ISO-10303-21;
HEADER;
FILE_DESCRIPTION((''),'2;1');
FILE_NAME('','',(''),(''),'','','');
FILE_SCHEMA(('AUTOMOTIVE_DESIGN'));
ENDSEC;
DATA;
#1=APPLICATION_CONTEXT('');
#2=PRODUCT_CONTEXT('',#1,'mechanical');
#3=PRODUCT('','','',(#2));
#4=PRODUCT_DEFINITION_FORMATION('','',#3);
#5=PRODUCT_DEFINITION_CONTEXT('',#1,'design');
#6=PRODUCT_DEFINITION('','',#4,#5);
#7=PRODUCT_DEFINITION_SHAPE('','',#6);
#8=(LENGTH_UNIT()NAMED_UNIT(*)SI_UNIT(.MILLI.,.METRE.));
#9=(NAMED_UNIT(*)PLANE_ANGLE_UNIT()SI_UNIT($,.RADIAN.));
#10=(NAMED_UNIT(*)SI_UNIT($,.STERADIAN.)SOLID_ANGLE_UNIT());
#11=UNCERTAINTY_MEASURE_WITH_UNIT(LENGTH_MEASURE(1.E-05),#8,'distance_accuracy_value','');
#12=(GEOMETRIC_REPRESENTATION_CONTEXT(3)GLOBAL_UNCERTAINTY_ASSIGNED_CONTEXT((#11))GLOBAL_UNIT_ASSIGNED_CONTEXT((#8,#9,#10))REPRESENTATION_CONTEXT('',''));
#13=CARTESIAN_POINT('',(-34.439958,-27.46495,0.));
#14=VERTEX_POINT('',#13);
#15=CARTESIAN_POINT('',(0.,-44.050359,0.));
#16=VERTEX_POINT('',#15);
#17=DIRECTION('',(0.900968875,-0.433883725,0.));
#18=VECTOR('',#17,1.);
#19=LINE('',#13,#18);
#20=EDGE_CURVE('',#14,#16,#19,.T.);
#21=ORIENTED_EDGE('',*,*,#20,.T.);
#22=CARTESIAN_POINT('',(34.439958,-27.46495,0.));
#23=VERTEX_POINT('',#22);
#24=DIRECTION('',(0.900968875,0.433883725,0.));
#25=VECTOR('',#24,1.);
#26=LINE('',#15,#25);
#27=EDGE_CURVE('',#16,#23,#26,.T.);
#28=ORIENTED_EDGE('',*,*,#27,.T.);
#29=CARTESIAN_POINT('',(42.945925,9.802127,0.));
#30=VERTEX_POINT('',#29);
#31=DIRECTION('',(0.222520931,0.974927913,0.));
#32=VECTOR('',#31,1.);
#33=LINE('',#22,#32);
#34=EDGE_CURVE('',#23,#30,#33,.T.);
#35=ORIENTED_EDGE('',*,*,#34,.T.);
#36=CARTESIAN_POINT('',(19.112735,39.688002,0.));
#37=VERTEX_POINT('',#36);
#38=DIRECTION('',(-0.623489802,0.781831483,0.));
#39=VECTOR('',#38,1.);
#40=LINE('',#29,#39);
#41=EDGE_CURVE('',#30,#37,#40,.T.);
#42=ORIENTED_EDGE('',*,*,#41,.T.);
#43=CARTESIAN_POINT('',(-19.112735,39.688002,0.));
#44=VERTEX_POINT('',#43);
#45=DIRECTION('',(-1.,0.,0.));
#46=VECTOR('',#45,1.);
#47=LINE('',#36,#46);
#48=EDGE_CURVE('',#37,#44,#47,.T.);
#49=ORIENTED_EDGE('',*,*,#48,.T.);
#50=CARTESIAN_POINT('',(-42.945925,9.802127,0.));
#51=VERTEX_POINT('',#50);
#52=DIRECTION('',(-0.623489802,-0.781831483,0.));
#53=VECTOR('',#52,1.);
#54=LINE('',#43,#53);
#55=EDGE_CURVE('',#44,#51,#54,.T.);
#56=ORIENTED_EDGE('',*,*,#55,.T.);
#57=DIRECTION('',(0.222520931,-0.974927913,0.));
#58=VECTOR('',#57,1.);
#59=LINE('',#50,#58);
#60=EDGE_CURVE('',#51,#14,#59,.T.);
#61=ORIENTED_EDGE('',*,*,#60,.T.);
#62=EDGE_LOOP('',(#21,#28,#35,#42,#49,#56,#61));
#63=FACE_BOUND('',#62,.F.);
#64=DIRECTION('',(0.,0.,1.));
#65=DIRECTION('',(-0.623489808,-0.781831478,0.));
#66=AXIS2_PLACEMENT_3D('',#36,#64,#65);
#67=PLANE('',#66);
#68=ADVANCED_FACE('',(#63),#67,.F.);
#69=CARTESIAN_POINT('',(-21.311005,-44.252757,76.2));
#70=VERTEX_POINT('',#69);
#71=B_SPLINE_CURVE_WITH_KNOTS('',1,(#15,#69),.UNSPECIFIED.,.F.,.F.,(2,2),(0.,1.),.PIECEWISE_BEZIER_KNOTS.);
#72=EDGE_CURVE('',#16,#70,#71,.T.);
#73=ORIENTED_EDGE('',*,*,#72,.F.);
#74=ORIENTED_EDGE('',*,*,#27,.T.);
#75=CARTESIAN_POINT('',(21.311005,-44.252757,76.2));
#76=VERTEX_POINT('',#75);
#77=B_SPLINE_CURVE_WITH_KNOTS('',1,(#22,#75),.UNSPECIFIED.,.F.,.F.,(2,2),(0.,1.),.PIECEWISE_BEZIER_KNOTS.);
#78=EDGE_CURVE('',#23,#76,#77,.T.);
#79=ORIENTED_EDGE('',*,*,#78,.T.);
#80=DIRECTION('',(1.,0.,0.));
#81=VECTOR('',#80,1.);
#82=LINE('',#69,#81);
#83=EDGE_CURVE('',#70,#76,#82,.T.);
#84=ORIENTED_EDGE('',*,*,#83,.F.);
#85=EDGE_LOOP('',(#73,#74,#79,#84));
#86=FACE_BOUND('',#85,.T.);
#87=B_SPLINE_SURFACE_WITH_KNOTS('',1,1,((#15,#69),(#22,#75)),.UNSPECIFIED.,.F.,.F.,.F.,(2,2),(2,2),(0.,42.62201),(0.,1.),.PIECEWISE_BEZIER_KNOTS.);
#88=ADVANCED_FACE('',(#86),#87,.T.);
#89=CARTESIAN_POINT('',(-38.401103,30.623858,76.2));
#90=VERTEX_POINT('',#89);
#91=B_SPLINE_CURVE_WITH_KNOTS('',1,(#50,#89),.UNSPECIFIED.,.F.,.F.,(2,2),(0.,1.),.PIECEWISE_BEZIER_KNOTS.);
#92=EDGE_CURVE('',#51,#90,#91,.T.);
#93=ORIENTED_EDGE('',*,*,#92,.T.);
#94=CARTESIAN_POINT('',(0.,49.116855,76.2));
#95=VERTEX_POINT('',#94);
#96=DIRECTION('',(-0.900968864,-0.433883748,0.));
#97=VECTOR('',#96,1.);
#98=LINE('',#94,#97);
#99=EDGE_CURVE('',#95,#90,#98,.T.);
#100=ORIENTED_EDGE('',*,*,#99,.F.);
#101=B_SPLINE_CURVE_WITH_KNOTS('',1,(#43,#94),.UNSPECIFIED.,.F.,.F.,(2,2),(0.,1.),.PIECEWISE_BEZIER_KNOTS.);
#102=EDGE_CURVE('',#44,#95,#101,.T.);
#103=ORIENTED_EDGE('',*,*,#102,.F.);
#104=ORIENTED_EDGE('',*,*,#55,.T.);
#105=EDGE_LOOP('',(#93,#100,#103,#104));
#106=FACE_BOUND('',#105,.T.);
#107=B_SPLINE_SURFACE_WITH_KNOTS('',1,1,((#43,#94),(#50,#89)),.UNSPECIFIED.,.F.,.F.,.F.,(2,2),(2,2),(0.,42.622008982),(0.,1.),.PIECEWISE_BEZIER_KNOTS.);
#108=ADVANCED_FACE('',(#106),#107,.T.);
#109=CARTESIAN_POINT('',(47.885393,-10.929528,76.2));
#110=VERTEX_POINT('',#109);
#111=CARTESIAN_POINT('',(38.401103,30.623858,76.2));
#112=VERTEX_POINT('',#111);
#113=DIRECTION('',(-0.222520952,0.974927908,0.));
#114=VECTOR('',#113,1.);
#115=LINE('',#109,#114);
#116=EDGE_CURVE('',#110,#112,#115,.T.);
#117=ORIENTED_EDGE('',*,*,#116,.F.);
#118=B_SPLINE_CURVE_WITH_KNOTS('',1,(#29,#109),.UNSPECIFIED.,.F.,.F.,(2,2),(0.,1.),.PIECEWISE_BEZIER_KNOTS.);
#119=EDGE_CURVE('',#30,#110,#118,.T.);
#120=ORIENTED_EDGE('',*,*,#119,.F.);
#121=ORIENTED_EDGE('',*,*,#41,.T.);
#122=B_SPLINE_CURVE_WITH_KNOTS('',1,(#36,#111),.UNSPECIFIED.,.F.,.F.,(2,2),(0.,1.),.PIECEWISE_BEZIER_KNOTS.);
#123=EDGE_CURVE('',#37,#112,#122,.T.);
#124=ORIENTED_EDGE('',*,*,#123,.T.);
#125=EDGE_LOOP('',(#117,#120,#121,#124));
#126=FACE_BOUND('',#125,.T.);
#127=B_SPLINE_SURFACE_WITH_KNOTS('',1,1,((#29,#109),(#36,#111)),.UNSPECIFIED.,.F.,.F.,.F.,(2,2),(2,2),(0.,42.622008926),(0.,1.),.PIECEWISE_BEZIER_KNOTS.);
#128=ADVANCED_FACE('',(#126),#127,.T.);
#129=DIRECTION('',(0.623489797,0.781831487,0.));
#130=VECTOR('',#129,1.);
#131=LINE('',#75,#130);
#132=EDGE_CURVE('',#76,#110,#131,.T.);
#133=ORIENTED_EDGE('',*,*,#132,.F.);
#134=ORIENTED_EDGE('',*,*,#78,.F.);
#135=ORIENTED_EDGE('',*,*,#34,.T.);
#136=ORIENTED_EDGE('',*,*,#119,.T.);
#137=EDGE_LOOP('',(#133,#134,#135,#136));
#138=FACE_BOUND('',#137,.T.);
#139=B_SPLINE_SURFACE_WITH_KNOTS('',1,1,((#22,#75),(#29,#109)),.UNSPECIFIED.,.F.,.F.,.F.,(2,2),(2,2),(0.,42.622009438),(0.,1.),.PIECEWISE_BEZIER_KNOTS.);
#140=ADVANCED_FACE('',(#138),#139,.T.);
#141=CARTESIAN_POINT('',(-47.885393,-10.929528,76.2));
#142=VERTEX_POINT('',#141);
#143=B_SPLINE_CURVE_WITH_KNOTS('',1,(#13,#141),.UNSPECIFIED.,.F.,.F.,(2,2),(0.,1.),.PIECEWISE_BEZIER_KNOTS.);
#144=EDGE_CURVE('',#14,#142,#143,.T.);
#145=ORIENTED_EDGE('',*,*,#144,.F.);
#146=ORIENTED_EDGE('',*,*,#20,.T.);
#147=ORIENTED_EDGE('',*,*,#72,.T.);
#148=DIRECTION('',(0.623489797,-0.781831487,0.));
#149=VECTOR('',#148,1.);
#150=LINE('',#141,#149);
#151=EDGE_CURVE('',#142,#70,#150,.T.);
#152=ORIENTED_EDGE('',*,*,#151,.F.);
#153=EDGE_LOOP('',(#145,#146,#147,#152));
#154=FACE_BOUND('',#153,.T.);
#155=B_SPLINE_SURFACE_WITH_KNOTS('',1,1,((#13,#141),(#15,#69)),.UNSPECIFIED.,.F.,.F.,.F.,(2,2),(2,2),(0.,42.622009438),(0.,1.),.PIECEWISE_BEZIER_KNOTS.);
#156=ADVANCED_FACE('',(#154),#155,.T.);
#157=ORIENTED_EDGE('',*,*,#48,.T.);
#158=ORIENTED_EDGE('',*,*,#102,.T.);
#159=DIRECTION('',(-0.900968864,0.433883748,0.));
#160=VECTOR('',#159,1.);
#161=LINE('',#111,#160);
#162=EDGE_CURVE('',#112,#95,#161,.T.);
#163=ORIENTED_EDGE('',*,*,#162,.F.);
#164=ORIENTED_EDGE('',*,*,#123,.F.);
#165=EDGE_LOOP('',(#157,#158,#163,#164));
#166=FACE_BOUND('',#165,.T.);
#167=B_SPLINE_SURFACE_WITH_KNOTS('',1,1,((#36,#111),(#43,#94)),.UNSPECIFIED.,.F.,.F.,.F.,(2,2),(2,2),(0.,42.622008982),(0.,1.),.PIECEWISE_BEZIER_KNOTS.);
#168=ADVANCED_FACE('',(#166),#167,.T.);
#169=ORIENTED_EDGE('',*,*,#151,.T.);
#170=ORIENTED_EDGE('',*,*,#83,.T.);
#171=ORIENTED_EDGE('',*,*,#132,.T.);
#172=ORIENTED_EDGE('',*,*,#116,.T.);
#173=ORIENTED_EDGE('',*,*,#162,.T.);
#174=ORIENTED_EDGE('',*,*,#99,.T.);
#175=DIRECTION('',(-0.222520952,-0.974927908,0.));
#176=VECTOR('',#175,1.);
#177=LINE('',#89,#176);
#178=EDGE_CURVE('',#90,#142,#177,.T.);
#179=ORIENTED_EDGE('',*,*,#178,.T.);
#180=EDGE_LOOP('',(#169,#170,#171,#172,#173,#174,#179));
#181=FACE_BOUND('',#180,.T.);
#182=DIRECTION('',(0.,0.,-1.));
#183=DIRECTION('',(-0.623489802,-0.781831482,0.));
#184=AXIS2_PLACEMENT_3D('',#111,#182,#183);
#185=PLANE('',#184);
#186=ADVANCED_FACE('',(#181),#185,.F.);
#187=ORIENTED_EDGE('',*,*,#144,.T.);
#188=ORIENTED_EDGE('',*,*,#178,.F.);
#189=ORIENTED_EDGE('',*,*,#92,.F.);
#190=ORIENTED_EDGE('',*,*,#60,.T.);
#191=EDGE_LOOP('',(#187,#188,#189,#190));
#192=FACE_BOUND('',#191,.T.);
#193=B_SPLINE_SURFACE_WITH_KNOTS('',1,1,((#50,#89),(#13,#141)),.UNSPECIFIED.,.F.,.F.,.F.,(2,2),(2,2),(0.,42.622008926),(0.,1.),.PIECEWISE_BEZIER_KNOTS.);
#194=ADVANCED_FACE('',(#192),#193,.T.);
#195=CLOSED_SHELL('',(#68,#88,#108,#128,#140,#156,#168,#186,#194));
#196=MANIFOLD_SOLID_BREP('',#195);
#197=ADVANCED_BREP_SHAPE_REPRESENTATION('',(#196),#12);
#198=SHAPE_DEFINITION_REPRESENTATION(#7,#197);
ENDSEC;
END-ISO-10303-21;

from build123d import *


with BuildPart() as f3:
    # F0 (on Top) → F3 section 0
    with BuildSketch(Plane.XY):
        Polygon((19.112735, 39.688002), (-19.112735, 39.688002), (-42.945925, 9.802127), (-34.439958, -27.46495), (0, -44.050359), (34.439958, -27.46495), (42.945925, 9.802127), align=None)
    # F2 (on offset) → F3 section 1
    with BuildSketch(Plane.XY.offset(76.2)):
        Polygon((-21.311005, -44.252757), (21.311005, -44.252757), (47.885393, -10.929528), (38.401103, 30.623858), (0, 49.116855), (-38.401103, 30.623858), (-47.885393, -10.929528), align=None)
    loft()


solid = f3.part
